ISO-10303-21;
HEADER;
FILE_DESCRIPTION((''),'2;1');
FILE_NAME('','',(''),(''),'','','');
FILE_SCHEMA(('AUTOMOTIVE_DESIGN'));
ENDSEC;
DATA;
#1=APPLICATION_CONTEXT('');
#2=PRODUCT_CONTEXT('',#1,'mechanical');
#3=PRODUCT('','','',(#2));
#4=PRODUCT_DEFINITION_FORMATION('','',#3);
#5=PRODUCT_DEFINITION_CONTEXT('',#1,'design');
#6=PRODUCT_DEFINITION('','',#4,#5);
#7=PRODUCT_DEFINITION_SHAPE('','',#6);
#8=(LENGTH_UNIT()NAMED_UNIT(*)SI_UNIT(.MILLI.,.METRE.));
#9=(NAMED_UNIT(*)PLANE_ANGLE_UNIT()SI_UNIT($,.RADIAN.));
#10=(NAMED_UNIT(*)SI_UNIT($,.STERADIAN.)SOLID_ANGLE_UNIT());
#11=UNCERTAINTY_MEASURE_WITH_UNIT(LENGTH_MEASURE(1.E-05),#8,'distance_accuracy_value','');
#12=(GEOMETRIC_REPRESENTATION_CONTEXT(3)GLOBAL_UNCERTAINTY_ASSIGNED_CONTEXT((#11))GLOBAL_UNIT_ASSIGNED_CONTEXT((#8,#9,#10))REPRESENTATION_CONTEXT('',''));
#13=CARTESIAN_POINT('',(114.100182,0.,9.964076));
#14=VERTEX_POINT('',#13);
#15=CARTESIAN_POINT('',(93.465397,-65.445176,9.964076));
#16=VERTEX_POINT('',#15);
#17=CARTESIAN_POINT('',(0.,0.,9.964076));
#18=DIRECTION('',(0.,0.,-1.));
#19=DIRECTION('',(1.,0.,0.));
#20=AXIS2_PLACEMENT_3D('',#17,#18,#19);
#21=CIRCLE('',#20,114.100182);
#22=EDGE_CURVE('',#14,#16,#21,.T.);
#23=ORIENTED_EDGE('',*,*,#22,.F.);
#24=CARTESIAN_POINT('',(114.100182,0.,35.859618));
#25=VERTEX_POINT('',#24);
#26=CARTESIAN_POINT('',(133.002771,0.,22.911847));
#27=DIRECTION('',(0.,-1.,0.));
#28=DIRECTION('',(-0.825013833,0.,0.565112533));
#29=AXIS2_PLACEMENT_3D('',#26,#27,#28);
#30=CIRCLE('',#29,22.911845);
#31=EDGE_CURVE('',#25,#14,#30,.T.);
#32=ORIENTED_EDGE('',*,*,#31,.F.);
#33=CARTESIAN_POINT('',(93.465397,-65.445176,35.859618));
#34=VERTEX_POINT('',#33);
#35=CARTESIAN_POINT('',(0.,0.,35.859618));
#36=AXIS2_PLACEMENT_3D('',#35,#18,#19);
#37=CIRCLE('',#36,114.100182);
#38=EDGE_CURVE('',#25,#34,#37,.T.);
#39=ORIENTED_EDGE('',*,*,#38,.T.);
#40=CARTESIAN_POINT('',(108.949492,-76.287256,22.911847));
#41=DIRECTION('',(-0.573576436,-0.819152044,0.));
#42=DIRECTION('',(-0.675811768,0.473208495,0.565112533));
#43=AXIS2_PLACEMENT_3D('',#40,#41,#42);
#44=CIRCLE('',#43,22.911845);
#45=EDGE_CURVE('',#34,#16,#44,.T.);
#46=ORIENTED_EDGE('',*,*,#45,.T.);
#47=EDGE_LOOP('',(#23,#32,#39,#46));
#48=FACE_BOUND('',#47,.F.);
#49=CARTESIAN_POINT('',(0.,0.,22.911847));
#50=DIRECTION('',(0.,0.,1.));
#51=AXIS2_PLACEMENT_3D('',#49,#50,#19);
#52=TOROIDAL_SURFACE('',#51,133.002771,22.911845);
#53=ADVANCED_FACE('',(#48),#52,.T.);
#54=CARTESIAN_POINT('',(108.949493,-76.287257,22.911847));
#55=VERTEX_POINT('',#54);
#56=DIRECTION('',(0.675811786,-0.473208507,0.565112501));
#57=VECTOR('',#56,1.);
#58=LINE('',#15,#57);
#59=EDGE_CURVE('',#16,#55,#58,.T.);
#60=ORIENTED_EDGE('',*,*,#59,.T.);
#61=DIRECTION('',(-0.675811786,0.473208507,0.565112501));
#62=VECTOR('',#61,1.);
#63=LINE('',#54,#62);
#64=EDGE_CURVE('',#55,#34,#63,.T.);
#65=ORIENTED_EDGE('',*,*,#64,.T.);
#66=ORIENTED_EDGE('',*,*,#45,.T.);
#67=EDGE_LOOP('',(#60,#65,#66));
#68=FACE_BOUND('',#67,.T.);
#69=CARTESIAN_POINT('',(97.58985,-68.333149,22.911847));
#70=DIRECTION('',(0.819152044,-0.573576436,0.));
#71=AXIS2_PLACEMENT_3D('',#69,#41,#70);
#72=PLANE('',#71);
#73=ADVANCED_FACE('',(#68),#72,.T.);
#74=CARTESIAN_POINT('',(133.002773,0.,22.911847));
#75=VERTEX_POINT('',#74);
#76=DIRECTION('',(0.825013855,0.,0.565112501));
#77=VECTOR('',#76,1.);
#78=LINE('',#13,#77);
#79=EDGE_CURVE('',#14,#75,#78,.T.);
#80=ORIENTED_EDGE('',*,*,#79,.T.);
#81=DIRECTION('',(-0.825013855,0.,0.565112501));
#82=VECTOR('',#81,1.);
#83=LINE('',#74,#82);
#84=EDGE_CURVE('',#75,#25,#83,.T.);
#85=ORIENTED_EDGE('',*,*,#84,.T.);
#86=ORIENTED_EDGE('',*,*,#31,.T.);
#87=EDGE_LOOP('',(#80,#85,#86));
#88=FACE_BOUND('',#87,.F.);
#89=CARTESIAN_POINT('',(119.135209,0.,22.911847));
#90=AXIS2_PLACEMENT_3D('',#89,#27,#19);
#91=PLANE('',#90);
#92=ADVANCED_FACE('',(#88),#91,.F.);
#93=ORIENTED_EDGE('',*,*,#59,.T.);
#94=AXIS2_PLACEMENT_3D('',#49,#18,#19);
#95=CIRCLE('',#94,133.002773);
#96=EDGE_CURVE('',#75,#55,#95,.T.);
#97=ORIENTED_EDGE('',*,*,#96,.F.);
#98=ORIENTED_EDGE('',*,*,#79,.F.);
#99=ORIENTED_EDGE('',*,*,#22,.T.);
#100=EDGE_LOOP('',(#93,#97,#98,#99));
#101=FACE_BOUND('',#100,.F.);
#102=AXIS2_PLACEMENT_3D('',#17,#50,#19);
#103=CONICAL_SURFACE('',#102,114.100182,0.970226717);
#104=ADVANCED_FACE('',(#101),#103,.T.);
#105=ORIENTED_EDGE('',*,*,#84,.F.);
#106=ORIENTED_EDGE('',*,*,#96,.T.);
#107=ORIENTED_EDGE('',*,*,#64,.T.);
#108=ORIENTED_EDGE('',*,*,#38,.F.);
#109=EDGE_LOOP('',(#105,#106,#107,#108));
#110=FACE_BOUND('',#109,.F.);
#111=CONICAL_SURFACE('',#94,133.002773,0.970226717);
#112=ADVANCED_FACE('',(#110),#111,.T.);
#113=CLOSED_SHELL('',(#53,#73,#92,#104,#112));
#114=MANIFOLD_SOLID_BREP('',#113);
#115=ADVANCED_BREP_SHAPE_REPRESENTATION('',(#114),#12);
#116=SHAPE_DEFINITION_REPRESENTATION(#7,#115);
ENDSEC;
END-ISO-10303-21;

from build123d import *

# Parameters (mm, degrees)
F1_ANGLE = -35


with BuildPart() as f1:
    # F0 (on Front) → F1 (revolve)
    with BuildSketch(Plane.XZ):
        with BuildLine():
            Line((133.002773, 22.911847), (114.100182, 35.859618))
            ThreePointArc((114.100182, 35.859618), (110.090926, 22.911847), (114.100182, 9.964076))
            Line((114.100182, 9.964076), (133.002773, 22.911847))
        make_face()
    revolve(axis=Axis((0, 0, 20.722013), (0, 0, 1)), revolution_arc=F1_ANGLE)


solid = f1.part
